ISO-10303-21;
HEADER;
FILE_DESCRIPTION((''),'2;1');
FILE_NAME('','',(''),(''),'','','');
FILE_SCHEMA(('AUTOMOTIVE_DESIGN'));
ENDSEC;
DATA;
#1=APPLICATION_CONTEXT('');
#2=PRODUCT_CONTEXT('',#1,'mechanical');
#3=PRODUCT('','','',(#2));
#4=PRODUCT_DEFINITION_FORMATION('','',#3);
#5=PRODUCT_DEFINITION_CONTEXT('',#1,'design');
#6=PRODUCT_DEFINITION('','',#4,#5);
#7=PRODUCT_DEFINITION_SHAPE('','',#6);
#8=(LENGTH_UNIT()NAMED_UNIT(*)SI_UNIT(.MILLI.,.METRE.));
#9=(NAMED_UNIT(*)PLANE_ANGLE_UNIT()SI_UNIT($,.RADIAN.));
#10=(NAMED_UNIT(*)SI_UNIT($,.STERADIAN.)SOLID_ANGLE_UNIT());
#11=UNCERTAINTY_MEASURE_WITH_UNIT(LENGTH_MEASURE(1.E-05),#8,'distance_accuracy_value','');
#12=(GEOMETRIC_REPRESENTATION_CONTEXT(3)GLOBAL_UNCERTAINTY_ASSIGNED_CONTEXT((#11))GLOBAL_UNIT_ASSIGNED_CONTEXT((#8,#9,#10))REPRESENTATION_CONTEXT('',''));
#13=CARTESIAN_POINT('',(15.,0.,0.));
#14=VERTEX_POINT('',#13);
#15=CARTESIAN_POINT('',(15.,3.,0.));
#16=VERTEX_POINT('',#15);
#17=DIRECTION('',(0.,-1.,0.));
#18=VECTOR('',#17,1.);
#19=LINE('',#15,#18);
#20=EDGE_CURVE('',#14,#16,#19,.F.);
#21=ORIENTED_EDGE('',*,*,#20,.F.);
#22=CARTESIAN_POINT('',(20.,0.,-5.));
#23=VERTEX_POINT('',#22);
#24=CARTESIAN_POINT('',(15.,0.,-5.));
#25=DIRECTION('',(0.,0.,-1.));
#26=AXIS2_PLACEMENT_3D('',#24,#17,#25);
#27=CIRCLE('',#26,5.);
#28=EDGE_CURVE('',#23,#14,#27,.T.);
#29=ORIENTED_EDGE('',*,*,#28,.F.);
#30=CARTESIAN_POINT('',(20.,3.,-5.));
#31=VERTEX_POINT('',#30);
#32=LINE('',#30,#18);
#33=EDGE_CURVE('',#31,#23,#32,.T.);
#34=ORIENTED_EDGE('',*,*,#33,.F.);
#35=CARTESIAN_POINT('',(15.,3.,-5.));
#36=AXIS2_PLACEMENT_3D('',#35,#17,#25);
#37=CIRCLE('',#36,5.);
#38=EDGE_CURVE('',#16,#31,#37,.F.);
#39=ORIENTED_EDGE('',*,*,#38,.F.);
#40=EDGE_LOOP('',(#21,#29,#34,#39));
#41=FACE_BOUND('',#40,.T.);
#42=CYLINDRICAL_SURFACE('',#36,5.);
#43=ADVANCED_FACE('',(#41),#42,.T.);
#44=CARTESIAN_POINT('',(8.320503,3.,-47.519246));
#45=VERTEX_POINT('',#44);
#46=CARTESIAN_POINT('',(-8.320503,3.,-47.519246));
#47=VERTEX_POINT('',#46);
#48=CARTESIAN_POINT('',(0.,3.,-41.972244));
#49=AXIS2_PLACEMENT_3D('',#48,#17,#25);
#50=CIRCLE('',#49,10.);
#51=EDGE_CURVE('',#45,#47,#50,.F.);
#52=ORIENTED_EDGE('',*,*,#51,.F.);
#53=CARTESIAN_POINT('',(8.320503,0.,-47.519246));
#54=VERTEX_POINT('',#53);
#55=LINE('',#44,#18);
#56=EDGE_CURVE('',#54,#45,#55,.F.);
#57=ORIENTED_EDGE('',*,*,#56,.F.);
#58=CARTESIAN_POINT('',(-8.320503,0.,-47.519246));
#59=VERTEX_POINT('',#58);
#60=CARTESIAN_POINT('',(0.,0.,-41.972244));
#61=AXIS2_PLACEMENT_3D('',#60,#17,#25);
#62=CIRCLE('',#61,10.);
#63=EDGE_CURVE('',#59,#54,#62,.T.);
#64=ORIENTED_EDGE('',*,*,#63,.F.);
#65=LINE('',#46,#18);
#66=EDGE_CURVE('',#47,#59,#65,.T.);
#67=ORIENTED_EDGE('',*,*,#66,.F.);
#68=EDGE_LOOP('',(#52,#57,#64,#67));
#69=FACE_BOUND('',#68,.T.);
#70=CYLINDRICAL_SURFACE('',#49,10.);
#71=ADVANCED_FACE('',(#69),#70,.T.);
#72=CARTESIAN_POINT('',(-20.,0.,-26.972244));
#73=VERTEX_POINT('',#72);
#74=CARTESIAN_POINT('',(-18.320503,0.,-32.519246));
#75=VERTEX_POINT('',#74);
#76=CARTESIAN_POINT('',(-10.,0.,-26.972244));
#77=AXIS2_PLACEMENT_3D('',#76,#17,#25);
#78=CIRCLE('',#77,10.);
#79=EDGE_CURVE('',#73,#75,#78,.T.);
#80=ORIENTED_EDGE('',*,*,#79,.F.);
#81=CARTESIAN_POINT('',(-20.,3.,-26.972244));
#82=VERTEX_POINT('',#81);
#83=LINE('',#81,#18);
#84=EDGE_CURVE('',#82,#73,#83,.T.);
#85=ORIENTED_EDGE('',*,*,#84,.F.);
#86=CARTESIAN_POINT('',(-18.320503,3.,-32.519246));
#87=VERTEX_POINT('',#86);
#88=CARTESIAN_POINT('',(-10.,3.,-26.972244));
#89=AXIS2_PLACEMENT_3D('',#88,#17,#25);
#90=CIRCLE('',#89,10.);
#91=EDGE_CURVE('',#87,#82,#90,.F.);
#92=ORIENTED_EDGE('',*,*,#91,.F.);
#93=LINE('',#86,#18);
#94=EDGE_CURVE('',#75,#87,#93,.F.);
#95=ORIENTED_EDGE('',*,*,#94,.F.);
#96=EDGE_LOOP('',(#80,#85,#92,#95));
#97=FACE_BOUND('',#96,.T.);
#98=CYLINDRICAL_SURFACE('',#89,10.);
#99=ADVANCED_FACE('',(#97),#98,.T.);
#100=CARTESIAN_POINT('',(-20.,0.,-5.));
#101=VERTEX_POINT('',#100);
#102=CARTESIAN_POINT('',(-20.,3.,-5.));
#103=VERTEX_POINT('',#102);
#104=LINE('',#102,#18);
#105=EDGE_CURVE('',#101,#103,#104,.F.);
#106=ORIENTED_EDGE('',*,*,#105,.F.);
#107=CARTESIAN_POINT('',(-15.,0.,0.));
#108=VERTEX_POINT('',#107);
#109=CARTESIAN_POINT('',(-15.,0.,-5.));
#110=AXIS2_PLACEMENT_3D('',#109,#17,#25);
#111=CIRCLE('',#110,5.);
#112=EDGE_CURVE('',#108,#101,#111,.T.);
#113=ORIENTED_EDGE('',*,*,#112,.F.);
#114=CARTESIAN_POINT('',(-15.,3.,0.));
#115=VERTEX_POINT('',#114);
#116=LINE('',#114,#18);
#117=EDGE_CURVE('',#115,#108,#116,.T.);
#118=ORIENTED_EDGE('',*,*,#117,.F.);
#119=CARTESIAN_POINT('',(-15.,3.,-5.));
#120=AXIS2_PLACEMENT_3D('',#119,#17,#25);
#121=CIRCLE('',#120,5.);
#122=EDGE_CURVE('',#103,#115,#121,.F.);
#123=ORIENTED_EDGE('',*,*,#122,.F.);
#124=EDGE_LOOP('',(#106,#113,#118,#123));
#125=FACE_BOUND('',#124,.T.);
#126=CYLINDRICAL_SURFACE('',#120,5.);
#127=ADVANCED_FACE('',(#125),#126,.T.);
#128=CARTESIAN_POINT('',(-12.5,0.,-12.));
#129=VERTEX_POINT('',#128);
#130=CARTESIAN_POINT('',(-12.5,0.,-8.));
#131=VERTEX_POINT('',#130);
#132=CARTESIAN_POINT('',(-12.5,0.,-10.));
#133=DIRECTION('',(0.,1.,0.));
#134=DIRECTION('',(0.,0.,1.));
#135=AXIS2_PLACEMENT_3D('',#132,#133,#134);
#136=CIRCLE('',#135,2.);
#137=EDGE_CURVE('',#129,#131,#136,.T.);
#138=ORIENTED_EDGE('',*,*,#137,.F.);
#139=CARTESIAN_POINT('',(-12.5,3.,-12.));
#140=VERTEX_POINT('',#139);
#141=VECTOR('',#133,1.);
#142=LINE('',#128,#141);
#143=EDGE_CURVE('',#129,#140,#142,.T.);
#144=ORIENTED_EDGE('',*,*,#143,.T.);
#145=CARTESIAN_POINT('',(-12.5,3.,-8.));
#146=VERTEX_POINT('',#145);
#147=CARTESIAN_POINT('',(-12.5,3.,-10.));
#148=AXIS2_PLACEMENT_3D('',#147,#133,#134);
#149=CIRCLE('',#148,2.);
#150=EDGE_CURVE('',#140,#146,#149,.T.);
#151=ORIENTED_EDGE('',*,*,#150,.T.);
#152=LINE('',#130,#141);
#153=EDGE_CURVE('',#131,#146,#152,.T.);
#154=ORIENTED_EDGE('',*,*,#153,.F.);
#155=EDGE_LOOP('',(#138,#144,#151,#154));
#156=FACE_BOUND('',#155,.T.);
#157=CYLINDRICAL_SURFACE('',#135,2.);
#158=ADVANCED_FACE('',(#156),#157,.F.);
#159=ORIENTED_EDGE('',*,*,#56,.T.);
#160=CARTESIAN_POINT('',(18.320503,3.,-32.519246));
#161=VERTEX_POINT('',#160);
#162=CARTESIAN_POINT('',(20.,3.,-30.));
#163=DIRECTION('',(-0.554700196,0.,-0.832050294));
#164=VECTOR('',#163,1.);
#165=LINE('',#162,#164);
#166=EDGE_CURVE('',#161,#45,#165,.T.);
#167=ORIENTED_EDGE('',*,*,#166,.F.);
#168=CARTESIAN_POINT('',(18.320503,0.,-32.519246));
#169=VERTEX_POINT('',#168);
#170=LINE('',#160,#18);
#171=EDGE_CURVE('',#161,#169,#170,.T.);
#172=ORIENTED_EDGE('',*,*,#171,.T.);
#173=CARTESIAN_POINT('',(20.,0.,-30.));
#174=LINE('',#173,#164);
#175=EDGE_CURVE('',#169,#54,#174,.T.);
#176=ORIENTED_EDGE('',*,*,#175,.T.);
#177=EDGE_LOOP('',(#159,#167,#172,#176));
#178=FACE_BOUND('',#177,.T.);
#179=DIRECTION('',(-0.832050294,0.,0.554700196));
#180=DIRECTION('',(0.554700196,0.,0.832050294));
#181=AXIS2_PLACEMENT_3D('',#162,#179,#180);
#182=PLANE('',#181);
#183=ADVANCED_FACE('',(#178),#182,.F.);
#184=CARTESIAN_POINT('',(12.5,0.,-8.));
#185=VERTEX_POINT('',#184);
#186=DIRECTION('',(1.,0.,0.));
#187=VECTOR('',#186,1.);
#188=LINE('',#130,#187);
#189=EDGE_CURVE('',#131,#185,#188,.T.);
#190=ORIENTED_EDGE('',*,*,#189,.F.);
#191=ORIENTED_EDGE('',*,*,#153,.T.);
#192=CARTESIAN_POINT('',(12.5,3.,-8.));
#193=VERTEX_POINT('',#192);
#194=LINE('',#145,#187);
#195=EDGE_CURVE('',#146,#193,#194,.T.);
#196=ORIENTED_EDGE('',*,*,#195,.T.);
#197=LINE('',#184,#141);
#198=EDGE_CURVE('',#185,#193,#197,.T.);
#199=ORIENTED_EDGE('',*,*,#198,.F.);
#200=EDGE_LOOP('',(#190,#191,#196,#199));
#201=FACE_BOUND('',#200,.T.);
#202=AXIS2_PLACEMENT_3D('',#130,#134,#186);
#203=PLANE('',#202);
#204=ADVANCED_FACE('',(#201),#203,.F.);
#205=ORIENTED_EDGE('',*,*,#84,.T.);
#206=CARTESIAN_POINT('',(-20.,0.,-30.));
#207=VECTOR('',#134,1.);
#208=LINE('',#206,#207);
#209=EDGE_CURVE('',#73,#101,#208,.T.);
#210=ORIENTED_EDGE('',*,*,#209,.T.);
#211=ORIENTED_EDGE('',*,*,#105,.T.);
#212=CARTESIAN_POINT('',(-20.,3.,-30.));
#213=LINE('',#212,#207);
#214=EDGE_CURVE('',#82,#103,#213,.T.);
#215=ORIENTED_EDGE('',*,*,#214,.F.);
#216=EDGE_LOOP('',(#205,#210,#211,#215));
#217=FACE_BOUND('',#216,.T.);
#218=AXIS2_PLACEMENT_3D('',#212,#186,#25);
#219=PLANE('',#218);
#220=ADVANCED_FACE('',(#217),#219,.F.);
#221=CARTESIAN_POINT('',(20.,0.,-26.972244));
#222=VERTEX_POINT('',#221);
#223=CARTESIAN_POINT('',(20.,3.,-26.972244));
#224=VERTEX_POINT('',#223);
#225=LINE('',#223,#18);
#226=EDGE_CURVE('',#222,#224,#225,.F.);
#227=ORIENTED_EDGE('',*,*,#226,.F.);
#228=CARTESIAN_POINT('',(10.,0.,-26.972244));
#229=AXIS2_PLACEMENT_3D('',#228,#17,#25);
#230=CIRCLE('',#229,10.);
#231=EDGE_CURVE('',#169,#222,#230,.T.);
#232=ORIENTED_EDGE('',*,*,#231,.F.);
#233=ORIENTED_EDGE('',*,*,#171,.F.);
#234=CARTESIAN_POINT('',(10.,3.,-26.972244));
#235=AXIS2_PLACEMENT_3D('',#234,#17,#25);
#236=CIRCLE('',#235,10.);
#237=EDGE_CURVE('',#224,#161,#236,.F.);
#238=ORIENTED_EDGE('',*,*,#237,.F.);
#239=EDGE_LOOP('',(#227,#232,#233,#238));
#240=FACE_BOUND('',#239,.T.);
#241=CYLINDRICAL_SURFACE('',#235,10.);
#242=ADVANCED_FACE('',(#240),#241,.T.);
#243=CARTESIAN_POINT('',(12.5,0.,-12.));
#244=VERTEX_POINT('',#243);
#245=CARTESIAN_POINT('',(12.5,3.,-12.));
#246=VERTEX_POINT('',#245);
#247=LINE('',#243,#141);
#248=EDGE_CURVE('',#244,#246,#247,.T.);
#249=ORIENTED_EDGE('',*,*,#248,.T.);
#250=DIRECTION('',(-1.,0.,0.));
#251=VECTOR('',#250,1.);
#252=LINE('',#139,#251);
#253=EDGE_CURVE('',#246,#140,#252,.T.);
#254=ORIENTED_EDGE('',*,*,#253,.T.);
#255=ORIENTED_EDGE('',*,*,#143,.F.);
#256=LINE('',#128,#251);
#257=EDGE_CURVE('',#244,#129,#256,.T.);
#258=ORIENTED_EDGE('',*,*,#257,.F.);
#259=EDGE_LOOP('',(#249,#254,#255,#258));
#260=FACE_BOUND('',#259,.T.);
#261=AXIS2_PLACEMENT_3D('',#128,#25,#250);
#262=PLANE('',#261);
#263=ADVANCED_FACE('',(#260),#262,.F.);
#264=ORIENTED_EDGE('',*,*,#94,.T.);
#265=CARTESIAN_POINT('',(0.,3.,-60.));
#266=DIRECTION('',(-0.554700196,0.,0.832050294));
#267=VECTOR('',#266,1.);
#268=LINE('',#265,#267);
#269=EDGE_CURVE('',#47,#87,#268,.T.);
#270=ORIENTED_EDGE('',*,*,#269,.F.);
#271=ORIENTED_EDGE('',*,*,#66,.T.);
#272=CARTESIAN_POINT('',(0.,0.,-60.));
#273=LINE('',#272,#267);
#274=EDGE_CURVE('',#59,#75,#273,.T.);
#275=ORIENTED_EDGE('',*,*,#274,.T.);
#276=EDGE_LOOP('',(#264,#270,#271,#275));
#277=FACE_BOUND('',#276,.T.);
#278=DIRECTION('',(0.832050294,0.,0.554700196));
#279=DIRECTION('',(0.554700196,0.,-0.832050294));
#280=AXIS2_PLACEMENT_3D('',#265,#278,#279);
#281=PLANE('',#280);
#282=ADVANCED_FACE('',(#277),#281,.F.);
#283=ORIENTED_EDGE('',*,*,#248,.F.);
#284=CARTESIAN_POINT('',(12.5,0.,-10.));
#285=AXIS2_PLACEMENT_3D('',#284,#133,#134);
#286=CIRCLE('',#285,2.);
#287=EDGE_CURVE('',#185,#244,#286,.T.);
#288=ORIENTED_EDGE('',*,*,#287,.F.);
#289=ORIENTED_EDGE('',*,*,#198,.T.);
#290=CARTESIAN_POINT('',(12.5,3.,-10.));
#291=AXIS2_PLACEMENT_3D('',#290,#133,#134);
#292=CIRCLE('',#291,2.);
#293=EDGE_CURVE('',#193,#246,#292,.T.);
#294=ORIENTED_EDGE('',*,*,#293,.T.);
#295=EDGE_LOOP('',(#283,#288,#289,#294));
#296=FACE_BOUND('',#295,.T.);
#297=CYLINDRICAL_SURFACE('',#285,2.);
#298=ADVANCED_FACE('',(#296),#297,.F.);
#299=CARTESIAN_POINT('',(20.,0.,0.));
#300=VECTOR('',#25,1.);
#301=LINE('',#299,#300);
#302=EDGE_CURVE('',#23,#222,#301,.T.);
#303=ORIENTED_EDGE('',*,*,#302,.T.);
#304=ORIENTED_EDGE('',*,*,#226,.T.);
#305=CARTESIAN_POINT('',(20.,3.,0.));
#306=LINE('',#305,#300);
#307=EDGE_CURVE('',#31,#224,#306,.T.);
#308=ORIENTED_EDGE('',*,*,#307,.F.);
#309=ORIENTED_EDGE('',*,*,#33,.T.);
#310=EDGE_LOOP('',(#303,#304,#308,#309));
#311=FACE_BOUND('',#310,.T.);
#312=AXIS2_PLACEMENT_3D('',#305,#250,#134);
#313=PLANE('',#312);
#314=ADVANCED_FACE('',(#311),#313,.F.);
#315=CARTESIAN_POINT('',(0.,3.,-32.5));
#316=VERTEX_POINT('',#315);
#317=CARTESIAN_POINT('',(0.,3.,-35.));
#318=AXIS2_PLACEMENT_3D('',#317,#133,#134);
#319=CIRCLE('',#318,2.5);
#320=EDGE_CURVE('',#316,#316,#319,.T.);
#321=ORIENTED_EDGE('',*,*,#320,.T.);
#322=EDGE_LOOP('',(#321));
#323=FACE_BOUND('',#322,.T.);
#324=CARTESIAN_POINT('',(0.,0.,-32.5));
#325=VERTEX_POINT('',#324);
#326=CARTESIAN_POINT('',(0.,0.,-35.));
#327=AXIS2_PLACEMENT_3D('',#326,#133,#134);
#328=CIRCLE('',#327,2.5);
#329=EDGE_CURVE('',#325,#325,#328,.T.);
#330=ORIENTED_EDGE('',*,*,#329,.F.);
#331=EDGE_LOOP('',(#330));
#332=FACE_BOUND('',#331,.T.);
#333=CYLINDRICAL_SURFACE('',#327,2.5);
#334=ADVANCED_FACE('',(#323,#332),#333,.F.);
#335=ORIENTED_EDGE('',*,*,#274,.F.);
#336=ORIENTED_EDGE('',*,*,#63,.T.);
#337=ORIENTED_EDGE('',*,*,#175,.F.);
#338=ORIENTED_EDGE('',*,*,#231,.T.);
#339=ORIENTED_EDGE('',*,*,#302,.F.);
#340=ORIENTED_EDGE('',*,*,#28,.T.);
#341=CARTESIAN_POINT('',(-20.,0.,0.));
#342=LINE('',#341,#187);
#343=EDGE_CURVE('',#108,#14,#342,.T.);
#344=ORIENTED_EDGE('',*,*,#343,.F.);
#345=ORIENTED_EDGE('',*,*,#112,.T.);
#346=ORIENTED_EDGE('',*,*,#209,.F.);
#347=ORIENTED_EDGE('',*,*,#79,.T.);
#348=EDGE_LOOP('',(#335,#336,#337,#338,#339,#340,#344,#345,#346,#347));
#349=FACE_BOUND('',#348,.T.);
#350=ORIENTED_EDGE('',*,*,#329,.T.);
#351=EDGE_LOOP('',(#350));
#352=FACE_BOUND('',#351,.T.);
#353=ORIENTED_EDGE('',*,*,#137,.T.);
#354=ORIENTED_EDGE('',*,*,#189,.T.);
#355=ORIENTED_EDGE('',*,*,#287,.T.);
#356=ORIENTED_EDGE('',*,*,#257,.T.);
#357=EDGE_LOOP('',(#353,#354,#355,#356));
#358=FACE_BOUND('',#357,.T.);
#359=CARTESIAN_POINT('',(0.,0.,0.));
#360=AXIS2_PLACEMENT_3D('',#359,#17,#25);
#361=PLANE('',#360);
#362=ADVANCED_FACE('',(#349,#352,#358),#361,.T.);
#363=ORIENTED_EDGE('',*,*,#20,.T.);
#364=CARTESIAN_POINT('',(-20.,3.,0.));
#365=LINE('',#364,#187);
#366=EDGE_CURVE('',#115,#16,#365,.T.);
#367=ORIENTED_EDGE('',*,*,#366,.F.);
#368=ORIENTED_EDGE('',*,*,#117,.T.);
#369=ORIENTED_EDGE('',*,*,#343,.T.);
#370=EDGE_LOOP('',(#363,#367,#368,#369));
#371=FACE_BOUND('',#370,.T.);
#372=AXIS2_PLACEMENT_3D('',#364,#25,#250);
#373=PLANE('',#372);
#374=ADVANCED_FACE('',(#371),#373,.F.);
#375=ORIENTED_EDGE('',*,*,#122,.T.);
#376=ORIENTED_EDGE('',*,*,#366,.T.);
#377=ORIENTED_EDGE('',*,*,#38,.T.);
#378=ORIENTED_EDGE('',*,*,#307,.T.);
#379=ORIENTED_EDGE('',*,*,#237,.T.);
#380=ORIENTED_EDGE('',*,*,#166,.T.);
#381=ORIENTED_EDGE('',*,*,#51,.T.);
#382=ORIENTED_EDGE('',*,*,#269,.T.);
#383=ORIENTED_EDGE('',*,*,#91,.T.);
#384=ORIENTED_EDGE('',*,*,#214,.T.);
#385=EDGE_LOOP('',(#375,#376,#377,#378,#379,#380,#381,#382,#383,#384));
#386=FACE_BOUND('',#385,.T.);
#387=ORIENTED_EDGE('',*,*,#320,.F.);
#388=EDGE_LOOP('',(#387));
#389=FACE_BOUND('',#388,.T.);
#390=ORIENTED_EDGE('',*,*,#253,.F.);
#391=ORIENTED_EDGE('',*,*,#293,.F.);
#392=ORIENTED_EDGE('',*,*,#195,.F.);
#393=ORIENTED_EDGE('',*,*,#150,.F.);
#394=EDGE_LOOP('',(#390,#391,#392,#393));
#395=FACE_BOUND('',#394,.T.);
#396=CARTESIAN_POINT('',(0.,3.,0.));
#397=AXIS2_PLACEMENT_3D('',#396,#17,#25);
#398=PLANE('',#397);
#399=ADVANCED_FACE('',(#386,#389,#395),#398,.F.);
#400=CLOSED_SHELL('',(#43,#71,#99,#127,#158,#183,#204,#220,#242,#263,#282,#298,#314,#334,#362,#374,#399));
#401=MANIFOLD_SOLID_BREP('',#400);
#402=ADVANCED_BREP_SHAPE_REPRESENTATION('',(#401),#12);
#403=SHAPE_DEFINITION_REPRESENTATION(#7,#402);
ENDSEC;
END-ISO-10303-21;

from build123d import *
from OCP.BRepFilletAPI import BRepFilletAPI_MakeFillet

# Parameters (mm, degrees)
BOSS_EXTRUDE1_DEPTH = 3
FILLET1_R1          = 10
FILLET1_R2          = 5
SKETCH2_R           = 2.5
CUT_EXTRUDE1_DEPTH  = 56.768397029


with BuildPart() as part:
    # Sketch1 → Boss-Extrude1 (new body)
    with BuildSketch(Plane(origin=(0, 0, 0), x_dir=(1, 0, 0), z_dir=(0, 1, 0))):
        Polygon((-20, 0), (20, 0), (20, 30), (0, 60), (-20, 30), align=None)
    extrude(amount=BOSS_EXTRUDE1_DEPTH)

    # Fillet1: one fillet with a radius per group of edges: ONE call of the kernel's fillet builder (fillet() takes one radius for all edges)
    fillet1_edges_1 = [part.edges().sort_by_distance(p)[0] for p in [
        (20, 1.5, -30),
        (-20, 1.5, -30),
        (0, 1.5, -60),
    ]]
    fillet1_edges_2 = [part.edges().sort_by_distance(p)[0] for p in [
        (20, 1.5, 0),
        (-20, 1.5, 0),
    ]]
    fillet1 = BRepFilletAPI_MakeFillet(part.part.solid().wrapped)
    for e in fillet1_edges_1:
        fillet1.Add(FILLET1_R1, e.wrapped)
    for e in fillet1_edges_2:
        fillet1.Add(FILLET1_R2, e.wrapped)
    add(Compound.cast(fillet1.Shape()), mode=Mode.REPLACE)

    # Sketch2 → Cut-Extrude1 (cut, through all)
    with BuildSketch(Plane(origin=(0, 3, 0), x_dir=(1, 0, 0), z_dir=(0, 1, 0))):
        with Locations((0, 35)):
            Circle(SKETCH2_R)
        with BuildLine():
            Line((-12.5, 12), (12.5, 12))
            ThreePointArc((12.5, 12), (14.5, 10), (12.5, 8))
            Line((12.5, 8), (-12.5, 8))
            ThreePointArc((-12.5, 8), (-14.5, 10), (-12.5, 12))
        make_face()
    extrude(amount=-CUT_EXTRUDE1_DEPTH, mode=Mode.SUBTRACT)


solid = part.part
